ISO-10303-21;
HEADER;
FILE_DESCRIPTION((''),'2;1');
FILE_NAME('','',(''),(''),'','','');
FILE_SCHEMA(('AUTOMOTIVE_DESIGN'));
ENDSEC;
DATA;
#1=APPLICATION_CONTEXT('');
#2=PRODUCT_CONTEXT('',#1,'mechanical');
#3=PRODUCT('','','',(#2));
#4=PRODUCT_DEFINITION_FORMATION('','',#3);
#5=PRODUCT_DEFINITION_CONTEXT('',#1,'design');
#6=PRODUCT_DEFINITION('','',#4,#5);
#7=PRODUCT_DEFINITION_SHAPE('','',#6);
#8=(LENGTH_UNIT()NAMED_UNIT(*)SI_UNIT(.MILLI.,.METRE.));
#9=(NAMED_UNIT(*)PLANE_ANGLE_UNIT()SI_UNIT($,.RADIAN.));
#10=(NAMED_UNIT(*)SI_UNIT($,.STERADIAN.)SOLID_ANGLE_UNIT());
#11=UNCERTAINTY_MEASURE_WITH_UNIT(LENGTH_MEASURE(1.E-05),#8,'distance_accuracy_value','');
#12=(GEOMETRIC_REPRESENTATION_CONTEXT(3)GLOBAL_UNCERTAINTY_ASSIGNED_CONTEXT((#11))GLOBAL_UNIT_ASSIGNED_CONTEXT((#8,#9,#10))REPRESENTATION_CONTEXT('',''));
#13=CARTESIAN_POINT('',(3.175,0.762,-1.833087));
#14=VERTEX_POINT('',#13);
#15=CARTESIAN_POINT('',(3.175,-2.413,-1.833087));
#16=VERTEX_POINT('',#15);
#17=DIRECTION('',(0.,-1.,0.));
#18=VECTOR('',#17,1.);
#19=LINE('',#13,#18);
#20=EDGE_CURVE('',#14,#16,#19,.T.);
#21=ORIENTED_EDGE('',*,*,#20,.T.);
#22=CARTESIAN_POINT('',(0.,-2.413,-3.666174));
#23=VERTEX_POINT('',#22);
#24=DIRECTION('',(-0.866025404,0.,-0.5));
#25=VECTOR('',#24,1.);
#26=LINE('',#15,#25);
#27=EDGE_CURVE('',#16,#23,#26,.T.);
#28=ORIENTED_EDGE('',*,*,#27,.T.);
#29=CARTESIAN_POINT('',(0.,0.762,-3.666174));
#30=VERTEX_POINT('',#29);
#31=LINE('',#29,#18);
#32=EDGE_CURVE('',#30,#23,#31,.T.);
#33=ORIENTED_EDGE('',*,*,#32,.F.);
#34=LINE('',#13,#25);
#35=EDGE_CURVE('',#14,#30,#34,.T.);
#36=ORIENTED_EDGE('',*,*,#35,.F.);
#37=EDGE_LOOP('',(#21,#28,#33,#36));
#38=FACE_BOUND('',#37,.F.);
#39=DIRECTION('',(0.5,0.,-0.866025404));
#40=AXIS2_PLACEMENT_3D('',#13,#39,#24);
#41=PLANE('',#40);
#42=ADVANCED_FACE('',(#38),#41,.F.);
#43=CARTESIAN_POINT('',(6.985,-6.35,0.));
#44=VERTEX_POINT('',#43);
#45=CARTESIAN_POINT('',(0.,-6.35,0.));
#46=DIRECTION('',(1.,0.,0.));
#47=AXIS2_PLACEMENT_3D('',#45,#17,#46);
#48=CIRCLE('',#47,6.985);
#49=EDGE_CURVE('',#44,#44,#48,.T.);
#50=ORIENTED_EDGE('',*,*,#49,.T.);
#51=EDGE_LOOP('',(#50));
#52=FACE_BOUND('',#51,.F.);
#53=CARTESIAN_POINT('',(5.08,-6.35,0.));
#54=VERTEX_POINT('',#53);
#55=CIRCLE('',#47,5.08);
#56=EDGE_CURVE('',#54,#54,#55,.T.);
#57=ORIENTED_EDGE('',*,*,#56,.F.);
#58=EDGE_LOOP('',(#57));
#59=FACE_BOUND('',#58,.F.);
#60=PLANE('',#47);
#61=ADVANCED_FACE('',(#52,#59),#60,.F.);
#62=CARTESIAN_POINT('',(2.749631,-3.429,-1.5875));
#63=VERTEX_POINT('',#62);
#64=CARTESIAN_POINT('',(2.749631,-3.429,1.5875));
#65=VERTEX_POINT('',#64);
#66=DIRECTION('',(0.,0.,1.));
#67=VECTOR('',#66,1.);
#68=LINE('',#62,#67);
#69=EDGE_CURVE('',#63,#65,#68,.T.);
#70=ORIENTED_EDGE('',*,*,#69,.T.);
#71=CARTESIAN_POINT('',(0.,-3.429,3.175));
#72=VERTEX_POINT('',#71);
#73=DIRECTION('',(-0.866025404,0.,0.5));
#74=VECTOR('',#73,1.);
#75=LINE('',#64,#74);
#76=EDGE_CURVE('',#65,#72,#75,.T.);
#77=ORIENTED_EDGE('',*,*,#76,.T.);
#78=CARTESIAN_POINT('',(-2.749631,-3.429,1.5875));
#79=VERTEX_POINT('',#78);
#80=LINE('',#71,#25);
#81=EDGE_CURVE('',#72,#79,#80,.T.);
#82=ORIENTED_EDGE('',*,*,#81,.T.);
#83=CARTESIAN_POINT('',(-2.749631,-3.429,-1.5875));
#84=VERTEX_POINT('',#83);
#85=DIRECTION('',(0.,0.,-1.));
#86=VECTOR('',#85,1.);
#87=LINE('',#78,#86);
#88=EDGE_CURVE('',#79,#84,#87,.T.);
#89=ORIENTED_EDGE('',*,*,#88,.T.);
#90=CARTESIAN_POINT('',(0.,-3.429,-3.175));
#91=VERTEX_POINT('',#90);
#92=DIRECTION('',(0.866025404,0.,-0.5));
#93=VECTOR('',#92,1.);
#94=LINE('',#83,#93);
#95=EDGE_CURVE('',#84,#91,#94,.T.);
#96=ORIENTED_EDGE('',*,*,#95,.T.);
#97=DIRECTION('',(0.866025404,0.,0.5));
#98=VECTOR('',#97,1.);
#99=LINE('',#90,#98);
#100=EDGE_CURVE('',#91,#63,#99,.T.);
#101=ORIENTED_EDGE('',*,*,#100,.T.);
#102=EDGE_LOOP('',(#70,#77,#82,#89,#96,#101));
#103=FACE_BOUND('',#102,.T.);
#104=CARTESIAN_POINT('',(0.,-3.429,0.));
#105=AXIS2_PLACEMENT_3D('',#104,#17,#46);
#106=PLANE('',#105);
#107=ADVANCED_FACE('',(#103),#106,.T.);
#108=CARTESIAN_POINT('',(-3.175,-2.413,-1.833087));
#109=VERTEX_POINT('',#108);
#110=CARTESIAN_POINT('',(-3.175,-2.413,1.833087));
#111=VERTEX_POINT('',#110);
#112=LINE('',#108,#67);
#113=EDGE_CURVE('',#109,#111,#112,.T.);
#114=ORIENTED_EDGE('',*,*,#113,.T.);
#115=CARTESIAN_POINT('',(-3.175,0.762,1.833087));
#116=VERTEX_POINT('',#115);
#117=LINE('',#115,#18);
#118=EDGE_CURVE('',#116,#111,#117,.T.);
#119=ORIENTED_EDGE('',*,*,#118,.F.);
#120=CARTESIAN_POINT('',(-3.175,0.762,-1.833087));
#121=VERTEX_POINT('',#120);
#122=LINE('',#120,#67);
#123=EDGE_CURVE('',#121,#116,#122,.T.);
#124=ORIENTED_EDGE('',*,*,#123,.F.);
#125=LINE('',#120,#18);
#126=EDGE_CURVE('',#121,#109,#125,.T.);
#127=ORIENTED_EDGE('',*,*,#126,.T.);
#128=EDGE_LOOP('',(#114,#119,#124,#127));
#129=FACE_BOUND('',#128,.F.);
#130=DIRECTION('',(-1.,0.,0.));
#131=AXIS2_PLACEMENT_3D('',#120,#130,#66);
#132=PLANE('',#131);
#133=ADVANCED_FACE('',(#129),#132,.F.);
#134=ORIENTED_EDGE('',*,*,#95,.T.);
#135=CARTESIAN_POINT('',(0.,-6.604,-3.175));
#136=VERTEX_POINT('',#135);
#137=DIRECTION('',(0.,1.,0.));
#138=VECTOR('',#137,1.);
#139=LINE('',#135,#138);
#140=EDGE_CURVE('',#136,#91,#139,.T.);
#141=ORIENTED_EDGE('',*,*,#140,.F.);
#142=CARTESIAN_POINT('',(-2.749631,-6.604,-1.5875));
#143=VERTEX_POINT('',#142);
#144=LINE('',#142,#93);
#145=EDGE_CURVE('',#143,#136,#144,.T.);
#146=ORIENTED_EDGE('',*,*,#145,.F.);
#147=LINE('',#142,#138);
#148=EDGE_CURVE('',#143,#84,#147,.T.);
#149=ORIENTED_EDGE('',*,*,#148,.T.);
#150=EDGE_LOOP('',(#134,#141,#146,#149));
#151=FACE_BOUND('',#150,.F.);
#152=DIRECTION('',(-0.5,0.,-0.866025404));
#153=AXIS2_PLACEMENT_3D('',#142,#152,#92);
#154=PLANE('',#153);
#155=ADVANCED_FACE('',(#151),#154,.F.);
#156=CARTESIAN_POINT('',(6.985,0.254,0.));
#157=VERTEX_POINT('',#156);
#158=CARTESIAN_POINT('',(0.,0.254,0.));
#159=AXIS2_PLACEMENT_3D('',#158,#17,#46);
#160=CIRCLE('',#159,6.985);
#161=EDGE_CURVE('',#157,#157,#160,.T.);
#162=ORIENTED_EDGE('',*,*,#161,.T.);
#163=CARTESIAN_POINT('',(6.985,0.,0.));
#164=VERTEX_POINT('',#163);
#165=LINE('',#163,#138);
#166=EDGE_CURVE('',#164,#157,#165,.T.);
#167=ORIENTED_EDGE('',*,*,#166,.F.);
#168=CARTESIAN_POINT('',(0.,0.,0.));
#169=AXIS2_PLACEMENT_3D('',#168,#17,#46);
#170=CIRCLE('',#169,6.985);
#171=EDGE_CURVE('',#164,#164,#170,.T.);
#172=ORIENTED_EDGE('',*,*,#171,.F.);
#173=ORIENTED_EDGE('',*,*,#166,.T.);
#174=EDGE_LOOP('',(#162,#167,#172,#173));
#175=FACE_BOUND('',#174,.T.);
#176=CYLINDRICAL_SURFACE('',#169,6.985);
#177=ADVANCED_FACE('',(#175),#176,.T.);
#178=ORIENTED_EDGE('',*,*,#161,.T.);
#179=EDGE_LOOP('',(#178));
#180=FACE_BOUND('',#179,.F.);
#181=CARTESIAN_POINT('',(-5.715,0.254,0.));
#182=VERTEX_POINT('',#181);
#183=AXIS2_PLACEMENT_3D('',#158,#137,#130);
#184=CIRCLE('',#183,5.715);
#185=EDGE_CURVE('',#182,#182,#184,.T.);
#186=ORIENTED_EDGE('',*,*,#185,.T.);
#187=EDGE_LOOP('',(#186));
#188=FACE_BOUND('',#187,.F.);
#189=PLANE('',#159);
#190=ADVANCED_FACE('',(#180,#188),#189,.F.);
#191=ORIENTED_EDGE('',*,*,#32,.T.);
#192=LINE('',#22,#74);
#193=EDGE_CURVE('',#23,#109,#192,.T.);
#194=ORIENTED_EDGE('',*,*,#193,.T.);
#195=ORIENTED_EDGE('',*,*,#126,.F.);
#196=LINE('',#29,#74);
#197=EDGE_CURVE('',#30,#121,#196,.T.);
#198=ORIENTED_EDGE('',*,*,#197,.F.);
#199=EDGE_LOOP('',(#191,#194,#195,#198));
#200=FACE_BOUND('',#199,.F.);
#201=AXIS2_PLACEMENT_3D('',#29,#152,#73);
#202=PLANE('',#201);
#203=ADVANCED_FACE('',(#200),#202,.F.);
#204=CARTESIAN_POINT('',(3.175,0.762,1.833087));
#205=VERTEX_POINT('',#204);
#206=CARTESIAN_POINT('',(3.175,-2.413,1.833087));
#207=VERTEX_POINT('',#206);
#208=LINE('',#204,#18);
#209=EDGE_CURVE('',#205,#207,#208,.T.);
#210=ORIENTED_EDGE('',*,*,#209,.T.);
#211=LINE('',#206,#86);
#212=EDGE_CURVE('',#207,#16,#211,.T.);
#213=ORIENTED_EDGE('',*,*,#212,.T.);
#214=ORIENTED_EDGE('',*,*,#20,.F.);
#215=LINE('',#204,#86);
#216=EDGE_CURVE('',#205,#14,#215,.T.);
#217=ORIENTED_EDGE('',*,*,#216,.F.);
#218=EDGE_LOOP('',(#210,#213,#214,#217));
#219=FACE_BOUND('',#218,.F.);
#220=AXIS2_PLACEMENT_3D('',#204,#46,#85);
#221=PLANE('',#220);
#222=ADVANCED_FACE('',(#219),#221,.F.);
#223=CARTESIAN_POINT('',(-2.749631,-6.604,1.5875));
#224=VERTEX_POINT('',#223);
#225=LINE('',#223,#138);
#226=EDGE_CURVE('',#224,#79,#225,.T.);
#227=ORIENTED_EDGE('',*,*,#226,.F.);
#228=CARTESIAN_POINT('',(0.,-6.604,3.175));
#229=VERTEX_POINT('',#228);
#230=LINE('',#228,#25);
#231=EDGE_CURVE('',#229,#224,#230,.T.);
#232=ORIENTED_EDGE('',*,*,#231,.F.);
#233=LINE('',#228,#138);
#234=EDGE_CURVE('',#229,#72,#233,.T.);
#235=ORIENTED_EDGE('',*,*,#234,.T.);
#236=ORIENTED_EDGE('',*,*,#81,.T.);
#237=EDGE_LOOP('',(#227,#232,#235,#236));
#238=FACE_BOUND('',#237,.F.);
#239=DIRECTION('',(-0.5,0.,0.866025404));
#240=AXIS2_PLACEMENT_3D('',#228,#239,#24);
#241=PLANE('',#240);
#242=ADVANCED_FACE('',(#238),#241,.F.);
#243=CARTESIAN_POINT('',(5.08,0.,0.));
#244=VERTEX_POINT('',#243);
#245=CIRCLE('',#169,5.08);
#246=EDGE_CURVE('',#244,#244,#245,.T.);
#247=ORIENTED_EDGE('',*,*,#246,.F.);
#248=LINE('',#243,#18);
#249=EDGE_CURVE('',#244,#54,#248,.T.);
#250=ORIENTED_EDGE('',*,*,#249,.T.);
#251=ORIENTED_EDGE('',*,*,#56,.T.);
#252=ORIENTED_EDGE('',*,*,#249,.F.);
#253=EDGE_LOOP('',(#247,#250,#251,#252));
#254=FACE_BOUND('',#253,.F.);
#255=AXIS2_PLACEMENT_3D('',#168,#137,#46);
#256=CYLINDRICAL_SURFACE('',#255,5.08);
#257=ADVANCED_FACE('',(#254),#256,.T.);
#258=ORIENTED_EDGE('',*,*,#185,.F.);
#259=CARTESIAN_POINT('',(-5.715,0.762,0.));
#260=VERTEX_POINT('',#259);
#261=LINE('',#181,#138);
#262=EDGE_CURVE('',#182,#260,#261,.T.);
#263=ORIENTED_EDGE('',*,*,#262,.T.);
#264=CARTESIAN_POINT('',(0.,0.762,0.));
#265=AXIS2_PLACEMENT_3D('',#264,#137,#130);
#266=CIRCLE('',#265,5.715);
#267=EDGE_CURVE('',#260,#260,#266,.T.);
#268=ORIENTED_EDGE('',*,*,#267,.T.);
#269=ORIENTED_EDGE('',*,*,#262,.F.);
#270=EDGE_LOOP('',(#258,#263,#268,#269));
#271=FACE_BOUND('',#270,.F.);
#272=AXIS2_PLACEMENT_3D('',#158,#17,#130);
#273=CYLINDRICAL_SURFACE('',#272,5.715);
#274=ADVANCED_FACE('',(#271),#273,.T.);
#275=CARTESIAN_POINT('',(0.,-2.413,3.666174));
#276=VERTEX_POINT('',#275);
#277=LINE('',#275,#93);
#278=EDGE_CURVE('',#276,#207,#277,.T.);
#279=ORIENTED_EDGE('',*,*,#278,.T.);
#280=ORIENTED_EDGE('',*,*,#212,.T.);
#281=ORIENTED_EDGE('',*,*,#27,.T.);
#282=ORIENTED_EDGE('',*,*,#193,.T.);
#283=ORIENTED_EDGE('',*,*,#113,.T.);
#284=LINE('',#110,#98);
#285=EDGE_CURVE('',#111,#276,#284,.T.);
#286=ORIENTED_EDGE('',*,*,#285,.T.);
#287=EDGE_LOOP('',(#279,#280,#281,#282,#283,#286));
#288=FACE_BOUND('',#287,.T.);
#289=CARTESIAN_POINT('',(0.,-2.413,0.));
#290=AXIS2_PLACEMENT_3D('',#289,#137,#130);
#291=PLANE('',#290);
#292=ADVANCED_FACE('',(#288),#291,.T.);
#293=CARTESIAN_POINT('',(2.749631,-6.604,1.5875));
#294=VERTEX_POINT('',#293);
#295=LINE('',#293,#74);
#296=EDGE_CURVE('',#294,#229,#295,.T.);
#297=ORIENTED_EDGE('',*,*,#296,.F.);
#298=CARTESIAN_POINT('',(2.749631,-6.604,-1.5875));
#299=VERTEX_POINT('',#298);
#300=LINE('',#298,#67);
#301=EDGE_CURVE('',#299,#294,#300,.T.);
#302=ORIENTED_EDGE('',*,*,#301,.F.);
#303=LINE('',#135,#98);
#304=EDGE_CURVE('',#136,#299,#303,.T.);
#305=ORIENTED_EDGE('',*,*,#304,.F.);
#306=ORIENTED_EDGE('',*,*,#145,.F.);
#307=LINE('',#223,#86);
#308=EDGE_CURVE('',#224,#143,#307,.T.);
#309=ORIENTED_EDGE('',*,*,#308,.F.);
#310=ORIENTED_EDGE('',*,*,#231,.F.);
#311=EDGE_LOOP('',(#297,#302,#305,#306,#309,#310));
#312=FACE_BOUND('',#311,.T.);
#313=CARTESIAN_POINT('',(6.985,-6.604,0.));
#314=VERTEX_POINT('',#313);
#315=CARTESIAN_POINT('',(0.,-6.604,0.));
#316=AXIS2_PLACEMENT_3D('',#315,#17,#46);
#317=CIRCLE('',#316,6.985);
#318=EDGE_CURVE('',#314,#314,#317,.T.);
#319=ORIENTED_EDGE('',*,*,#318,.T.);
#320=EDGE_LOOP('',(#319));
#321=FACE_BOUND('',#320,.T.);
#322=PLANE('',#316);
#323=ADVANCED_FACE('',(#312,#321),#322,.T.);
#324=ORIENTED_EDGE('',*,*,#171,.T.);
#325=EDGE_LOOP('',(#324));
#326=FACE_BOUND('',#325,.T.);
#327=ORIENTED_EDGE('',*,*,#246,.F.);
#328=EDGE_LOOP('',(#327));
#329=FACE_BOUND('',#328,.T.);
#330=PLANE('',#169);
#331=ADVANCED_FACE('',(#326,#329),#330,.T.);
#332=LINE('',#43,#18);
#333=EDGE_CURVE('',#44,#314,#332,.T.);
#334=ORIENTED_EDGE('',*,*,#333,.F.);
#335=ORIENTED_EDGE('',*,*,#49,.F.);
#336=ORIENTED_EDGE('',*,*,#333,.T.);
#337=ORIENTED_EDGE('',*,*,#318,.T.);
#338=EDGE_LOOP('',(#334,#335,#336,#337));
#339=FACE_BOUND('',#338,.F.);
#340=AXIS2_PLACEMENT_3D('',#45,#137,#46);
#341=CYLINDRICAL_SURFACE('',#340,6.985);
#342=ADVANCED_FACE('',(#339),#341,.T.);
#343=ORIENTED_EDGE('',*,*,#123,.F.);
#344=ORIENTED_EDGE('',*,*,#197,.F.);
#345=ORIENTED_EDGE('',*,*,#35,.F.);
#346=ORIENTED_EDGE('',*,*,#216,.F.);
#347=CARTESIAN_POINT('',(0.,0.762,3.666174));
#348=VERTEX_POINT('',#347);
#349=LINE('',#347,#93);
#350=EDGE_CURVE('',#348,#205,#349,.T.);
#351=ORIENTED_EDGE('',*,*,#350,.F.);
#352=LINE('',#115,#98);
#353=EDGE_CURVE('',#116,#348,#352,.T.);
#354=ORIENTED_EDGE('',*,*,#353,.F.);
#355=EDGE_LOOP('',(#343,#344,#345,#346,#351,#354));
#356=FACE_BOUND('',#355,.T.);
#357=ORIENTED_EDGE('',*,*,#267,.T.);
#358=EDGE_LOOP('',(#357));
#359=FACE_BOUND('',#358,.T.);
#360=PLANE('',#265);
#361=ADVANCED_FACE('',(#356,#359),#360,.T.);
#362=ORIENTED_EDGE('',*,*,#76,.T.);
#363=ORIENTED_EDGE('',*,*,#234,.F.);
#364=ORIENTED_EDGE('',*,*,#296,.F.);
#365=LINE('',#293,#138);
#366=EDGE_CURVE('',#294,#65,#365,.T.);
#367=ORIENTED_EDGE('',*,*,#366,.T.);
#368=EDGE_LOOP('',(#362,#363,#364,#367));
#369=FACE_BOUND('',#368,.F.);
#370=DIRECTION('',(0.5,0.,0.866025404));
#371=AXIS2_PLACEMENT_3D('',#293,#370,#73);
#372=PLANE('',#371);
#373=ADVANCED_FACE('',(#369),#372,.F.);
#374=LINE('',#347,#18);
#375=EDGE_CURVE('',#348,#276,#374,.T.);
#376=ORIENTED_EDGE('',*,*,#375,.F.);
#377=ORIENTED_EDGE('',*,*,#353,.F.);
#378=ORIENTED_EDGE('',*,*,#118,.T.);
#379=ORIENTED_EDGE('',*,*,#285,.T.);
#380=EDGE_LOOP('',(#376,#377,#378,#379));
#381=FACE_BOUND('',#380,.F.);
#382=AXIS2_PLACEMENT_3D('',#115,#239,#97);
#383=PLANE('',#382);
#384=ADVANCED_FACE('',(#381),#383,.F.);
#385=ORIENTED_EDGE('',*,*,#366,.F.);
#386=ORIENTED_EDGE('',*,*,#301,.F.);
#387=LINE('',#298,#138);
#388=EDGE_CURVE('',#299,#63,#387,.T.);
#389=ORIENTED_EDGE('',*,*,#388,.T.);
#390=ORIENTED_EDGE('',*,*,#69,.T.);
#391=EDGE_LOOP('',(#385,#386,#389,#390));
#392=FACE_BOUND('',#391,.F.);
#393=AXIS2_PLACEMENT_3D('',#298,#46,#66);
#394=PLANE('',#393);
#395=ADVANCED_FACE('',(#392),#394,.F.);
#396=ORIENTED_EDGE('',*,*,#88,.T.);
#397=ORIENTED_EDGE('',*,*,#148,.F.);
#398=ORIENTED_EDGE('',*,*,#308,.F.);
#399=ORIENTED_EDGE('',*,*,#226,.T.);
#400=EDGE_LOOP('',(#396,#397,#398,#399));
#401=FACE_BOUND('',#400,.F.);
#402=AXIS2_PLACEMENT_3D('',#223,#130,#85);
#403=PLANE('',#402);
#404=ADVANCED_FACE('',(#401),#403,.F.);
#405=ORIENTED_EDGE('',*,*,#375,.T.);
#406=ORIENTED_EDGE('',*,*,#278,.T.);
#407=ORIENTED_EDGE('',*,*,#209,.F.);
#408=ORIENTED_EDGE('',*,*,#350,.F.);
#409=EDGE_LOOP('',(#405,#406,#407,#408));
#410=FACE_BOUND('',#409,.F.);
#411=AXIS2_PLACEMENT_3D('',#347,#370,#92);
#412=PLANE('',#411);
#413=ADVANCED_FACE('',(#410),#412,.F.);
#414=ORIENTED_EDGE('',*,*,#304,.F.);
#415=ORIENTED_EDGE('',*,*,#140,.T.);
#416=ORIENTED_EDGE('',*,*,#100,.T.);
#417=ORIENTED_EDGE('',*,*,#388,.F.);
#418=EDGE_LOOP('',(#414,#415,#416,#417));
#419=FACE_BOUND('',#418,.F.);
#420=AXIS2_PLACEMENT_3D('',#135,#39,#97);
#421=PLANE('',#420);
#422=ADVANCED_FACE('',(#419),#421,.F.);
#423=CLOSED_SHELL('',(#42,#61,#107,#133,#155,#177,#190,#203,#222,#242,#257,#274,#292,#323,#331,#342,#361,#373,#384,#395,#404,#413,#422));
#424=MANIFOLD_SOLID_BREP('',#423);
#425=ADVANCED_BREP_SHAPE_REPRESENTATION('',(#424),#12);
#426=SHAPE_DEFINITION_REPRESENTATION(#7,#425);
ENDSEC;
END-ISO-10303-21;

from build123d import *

# Parameters (mm, degrees)
F0_R      = 5.08
F1_DEPTH  = 6.35
F2_R      = 6.985
F3_DEPTH  = 0.254
F4_R      = 6.985
F5_DEPTH  = 0.254
F7_DEPTH  = 3.175
F8_R      = 5.715
F9_DEPTH  = 0.508
F11_DEPTH = 3.175


with BuildPart() as f1:
    # F0 (on Front) → F1 (new body)
    with BuildSketch(Plane.XZ):
        Circle(F0_R)
    extrude(amount=F1_DEPTH)

    # F2 (on face) → F3 (join)
    with BuildSketch(Plane.XZ.offset(6.35)):
        Circle(F2_R)
    extrude(amount=F3_DEPTH)

    # F4 (on Front) → F5 (join)
    with BuildSketch(Plane.XZ):
        Circle(F4_R)
    extrude(amount=-F5_DEPTH)

    # F6 (on face) → F7 (cut)
    with BuildSketch(Plane.XZ.offset(6.604)):
        Polygon((0, 3.175), (-2.749630657, 1.5875), (-2.749630657, -1.5875), (0, -3.175), (2.749630657, -1.5875), (2.749630657, 1.5875), align=None)
    extrude(amount=-F7_DEPTH, mode=Mode.SUBTRACT)

    # F8 (on face) → F9 (join)
    with BuildSketch(Plane(origin=(0, 0.254, 0), x_dir=(-1, 0, 0), z_dir=(0, 1, 0))):
        Circle(F8_R)
    extrude(amount=F9_DEPTH)

    # F10 (on face) → F11 (cut)
    with BuildSketch(Plane(origin=(0, 0.762, 0), x_dir=(-1, 0, 0), z_dir=(0, 1, 0))):
        Polygon((-3.175, 1.8330871047), (-3.175, -1.8330871047), (0, -3.6661742094), (3.175, -1.8330871047), (3.175, 1.8330871047), (0, 3.6661742094), align=None)
    extrude(amount=-F11_DEPTH, mode=Mode.SUBTRACT)


solid = f1.part
